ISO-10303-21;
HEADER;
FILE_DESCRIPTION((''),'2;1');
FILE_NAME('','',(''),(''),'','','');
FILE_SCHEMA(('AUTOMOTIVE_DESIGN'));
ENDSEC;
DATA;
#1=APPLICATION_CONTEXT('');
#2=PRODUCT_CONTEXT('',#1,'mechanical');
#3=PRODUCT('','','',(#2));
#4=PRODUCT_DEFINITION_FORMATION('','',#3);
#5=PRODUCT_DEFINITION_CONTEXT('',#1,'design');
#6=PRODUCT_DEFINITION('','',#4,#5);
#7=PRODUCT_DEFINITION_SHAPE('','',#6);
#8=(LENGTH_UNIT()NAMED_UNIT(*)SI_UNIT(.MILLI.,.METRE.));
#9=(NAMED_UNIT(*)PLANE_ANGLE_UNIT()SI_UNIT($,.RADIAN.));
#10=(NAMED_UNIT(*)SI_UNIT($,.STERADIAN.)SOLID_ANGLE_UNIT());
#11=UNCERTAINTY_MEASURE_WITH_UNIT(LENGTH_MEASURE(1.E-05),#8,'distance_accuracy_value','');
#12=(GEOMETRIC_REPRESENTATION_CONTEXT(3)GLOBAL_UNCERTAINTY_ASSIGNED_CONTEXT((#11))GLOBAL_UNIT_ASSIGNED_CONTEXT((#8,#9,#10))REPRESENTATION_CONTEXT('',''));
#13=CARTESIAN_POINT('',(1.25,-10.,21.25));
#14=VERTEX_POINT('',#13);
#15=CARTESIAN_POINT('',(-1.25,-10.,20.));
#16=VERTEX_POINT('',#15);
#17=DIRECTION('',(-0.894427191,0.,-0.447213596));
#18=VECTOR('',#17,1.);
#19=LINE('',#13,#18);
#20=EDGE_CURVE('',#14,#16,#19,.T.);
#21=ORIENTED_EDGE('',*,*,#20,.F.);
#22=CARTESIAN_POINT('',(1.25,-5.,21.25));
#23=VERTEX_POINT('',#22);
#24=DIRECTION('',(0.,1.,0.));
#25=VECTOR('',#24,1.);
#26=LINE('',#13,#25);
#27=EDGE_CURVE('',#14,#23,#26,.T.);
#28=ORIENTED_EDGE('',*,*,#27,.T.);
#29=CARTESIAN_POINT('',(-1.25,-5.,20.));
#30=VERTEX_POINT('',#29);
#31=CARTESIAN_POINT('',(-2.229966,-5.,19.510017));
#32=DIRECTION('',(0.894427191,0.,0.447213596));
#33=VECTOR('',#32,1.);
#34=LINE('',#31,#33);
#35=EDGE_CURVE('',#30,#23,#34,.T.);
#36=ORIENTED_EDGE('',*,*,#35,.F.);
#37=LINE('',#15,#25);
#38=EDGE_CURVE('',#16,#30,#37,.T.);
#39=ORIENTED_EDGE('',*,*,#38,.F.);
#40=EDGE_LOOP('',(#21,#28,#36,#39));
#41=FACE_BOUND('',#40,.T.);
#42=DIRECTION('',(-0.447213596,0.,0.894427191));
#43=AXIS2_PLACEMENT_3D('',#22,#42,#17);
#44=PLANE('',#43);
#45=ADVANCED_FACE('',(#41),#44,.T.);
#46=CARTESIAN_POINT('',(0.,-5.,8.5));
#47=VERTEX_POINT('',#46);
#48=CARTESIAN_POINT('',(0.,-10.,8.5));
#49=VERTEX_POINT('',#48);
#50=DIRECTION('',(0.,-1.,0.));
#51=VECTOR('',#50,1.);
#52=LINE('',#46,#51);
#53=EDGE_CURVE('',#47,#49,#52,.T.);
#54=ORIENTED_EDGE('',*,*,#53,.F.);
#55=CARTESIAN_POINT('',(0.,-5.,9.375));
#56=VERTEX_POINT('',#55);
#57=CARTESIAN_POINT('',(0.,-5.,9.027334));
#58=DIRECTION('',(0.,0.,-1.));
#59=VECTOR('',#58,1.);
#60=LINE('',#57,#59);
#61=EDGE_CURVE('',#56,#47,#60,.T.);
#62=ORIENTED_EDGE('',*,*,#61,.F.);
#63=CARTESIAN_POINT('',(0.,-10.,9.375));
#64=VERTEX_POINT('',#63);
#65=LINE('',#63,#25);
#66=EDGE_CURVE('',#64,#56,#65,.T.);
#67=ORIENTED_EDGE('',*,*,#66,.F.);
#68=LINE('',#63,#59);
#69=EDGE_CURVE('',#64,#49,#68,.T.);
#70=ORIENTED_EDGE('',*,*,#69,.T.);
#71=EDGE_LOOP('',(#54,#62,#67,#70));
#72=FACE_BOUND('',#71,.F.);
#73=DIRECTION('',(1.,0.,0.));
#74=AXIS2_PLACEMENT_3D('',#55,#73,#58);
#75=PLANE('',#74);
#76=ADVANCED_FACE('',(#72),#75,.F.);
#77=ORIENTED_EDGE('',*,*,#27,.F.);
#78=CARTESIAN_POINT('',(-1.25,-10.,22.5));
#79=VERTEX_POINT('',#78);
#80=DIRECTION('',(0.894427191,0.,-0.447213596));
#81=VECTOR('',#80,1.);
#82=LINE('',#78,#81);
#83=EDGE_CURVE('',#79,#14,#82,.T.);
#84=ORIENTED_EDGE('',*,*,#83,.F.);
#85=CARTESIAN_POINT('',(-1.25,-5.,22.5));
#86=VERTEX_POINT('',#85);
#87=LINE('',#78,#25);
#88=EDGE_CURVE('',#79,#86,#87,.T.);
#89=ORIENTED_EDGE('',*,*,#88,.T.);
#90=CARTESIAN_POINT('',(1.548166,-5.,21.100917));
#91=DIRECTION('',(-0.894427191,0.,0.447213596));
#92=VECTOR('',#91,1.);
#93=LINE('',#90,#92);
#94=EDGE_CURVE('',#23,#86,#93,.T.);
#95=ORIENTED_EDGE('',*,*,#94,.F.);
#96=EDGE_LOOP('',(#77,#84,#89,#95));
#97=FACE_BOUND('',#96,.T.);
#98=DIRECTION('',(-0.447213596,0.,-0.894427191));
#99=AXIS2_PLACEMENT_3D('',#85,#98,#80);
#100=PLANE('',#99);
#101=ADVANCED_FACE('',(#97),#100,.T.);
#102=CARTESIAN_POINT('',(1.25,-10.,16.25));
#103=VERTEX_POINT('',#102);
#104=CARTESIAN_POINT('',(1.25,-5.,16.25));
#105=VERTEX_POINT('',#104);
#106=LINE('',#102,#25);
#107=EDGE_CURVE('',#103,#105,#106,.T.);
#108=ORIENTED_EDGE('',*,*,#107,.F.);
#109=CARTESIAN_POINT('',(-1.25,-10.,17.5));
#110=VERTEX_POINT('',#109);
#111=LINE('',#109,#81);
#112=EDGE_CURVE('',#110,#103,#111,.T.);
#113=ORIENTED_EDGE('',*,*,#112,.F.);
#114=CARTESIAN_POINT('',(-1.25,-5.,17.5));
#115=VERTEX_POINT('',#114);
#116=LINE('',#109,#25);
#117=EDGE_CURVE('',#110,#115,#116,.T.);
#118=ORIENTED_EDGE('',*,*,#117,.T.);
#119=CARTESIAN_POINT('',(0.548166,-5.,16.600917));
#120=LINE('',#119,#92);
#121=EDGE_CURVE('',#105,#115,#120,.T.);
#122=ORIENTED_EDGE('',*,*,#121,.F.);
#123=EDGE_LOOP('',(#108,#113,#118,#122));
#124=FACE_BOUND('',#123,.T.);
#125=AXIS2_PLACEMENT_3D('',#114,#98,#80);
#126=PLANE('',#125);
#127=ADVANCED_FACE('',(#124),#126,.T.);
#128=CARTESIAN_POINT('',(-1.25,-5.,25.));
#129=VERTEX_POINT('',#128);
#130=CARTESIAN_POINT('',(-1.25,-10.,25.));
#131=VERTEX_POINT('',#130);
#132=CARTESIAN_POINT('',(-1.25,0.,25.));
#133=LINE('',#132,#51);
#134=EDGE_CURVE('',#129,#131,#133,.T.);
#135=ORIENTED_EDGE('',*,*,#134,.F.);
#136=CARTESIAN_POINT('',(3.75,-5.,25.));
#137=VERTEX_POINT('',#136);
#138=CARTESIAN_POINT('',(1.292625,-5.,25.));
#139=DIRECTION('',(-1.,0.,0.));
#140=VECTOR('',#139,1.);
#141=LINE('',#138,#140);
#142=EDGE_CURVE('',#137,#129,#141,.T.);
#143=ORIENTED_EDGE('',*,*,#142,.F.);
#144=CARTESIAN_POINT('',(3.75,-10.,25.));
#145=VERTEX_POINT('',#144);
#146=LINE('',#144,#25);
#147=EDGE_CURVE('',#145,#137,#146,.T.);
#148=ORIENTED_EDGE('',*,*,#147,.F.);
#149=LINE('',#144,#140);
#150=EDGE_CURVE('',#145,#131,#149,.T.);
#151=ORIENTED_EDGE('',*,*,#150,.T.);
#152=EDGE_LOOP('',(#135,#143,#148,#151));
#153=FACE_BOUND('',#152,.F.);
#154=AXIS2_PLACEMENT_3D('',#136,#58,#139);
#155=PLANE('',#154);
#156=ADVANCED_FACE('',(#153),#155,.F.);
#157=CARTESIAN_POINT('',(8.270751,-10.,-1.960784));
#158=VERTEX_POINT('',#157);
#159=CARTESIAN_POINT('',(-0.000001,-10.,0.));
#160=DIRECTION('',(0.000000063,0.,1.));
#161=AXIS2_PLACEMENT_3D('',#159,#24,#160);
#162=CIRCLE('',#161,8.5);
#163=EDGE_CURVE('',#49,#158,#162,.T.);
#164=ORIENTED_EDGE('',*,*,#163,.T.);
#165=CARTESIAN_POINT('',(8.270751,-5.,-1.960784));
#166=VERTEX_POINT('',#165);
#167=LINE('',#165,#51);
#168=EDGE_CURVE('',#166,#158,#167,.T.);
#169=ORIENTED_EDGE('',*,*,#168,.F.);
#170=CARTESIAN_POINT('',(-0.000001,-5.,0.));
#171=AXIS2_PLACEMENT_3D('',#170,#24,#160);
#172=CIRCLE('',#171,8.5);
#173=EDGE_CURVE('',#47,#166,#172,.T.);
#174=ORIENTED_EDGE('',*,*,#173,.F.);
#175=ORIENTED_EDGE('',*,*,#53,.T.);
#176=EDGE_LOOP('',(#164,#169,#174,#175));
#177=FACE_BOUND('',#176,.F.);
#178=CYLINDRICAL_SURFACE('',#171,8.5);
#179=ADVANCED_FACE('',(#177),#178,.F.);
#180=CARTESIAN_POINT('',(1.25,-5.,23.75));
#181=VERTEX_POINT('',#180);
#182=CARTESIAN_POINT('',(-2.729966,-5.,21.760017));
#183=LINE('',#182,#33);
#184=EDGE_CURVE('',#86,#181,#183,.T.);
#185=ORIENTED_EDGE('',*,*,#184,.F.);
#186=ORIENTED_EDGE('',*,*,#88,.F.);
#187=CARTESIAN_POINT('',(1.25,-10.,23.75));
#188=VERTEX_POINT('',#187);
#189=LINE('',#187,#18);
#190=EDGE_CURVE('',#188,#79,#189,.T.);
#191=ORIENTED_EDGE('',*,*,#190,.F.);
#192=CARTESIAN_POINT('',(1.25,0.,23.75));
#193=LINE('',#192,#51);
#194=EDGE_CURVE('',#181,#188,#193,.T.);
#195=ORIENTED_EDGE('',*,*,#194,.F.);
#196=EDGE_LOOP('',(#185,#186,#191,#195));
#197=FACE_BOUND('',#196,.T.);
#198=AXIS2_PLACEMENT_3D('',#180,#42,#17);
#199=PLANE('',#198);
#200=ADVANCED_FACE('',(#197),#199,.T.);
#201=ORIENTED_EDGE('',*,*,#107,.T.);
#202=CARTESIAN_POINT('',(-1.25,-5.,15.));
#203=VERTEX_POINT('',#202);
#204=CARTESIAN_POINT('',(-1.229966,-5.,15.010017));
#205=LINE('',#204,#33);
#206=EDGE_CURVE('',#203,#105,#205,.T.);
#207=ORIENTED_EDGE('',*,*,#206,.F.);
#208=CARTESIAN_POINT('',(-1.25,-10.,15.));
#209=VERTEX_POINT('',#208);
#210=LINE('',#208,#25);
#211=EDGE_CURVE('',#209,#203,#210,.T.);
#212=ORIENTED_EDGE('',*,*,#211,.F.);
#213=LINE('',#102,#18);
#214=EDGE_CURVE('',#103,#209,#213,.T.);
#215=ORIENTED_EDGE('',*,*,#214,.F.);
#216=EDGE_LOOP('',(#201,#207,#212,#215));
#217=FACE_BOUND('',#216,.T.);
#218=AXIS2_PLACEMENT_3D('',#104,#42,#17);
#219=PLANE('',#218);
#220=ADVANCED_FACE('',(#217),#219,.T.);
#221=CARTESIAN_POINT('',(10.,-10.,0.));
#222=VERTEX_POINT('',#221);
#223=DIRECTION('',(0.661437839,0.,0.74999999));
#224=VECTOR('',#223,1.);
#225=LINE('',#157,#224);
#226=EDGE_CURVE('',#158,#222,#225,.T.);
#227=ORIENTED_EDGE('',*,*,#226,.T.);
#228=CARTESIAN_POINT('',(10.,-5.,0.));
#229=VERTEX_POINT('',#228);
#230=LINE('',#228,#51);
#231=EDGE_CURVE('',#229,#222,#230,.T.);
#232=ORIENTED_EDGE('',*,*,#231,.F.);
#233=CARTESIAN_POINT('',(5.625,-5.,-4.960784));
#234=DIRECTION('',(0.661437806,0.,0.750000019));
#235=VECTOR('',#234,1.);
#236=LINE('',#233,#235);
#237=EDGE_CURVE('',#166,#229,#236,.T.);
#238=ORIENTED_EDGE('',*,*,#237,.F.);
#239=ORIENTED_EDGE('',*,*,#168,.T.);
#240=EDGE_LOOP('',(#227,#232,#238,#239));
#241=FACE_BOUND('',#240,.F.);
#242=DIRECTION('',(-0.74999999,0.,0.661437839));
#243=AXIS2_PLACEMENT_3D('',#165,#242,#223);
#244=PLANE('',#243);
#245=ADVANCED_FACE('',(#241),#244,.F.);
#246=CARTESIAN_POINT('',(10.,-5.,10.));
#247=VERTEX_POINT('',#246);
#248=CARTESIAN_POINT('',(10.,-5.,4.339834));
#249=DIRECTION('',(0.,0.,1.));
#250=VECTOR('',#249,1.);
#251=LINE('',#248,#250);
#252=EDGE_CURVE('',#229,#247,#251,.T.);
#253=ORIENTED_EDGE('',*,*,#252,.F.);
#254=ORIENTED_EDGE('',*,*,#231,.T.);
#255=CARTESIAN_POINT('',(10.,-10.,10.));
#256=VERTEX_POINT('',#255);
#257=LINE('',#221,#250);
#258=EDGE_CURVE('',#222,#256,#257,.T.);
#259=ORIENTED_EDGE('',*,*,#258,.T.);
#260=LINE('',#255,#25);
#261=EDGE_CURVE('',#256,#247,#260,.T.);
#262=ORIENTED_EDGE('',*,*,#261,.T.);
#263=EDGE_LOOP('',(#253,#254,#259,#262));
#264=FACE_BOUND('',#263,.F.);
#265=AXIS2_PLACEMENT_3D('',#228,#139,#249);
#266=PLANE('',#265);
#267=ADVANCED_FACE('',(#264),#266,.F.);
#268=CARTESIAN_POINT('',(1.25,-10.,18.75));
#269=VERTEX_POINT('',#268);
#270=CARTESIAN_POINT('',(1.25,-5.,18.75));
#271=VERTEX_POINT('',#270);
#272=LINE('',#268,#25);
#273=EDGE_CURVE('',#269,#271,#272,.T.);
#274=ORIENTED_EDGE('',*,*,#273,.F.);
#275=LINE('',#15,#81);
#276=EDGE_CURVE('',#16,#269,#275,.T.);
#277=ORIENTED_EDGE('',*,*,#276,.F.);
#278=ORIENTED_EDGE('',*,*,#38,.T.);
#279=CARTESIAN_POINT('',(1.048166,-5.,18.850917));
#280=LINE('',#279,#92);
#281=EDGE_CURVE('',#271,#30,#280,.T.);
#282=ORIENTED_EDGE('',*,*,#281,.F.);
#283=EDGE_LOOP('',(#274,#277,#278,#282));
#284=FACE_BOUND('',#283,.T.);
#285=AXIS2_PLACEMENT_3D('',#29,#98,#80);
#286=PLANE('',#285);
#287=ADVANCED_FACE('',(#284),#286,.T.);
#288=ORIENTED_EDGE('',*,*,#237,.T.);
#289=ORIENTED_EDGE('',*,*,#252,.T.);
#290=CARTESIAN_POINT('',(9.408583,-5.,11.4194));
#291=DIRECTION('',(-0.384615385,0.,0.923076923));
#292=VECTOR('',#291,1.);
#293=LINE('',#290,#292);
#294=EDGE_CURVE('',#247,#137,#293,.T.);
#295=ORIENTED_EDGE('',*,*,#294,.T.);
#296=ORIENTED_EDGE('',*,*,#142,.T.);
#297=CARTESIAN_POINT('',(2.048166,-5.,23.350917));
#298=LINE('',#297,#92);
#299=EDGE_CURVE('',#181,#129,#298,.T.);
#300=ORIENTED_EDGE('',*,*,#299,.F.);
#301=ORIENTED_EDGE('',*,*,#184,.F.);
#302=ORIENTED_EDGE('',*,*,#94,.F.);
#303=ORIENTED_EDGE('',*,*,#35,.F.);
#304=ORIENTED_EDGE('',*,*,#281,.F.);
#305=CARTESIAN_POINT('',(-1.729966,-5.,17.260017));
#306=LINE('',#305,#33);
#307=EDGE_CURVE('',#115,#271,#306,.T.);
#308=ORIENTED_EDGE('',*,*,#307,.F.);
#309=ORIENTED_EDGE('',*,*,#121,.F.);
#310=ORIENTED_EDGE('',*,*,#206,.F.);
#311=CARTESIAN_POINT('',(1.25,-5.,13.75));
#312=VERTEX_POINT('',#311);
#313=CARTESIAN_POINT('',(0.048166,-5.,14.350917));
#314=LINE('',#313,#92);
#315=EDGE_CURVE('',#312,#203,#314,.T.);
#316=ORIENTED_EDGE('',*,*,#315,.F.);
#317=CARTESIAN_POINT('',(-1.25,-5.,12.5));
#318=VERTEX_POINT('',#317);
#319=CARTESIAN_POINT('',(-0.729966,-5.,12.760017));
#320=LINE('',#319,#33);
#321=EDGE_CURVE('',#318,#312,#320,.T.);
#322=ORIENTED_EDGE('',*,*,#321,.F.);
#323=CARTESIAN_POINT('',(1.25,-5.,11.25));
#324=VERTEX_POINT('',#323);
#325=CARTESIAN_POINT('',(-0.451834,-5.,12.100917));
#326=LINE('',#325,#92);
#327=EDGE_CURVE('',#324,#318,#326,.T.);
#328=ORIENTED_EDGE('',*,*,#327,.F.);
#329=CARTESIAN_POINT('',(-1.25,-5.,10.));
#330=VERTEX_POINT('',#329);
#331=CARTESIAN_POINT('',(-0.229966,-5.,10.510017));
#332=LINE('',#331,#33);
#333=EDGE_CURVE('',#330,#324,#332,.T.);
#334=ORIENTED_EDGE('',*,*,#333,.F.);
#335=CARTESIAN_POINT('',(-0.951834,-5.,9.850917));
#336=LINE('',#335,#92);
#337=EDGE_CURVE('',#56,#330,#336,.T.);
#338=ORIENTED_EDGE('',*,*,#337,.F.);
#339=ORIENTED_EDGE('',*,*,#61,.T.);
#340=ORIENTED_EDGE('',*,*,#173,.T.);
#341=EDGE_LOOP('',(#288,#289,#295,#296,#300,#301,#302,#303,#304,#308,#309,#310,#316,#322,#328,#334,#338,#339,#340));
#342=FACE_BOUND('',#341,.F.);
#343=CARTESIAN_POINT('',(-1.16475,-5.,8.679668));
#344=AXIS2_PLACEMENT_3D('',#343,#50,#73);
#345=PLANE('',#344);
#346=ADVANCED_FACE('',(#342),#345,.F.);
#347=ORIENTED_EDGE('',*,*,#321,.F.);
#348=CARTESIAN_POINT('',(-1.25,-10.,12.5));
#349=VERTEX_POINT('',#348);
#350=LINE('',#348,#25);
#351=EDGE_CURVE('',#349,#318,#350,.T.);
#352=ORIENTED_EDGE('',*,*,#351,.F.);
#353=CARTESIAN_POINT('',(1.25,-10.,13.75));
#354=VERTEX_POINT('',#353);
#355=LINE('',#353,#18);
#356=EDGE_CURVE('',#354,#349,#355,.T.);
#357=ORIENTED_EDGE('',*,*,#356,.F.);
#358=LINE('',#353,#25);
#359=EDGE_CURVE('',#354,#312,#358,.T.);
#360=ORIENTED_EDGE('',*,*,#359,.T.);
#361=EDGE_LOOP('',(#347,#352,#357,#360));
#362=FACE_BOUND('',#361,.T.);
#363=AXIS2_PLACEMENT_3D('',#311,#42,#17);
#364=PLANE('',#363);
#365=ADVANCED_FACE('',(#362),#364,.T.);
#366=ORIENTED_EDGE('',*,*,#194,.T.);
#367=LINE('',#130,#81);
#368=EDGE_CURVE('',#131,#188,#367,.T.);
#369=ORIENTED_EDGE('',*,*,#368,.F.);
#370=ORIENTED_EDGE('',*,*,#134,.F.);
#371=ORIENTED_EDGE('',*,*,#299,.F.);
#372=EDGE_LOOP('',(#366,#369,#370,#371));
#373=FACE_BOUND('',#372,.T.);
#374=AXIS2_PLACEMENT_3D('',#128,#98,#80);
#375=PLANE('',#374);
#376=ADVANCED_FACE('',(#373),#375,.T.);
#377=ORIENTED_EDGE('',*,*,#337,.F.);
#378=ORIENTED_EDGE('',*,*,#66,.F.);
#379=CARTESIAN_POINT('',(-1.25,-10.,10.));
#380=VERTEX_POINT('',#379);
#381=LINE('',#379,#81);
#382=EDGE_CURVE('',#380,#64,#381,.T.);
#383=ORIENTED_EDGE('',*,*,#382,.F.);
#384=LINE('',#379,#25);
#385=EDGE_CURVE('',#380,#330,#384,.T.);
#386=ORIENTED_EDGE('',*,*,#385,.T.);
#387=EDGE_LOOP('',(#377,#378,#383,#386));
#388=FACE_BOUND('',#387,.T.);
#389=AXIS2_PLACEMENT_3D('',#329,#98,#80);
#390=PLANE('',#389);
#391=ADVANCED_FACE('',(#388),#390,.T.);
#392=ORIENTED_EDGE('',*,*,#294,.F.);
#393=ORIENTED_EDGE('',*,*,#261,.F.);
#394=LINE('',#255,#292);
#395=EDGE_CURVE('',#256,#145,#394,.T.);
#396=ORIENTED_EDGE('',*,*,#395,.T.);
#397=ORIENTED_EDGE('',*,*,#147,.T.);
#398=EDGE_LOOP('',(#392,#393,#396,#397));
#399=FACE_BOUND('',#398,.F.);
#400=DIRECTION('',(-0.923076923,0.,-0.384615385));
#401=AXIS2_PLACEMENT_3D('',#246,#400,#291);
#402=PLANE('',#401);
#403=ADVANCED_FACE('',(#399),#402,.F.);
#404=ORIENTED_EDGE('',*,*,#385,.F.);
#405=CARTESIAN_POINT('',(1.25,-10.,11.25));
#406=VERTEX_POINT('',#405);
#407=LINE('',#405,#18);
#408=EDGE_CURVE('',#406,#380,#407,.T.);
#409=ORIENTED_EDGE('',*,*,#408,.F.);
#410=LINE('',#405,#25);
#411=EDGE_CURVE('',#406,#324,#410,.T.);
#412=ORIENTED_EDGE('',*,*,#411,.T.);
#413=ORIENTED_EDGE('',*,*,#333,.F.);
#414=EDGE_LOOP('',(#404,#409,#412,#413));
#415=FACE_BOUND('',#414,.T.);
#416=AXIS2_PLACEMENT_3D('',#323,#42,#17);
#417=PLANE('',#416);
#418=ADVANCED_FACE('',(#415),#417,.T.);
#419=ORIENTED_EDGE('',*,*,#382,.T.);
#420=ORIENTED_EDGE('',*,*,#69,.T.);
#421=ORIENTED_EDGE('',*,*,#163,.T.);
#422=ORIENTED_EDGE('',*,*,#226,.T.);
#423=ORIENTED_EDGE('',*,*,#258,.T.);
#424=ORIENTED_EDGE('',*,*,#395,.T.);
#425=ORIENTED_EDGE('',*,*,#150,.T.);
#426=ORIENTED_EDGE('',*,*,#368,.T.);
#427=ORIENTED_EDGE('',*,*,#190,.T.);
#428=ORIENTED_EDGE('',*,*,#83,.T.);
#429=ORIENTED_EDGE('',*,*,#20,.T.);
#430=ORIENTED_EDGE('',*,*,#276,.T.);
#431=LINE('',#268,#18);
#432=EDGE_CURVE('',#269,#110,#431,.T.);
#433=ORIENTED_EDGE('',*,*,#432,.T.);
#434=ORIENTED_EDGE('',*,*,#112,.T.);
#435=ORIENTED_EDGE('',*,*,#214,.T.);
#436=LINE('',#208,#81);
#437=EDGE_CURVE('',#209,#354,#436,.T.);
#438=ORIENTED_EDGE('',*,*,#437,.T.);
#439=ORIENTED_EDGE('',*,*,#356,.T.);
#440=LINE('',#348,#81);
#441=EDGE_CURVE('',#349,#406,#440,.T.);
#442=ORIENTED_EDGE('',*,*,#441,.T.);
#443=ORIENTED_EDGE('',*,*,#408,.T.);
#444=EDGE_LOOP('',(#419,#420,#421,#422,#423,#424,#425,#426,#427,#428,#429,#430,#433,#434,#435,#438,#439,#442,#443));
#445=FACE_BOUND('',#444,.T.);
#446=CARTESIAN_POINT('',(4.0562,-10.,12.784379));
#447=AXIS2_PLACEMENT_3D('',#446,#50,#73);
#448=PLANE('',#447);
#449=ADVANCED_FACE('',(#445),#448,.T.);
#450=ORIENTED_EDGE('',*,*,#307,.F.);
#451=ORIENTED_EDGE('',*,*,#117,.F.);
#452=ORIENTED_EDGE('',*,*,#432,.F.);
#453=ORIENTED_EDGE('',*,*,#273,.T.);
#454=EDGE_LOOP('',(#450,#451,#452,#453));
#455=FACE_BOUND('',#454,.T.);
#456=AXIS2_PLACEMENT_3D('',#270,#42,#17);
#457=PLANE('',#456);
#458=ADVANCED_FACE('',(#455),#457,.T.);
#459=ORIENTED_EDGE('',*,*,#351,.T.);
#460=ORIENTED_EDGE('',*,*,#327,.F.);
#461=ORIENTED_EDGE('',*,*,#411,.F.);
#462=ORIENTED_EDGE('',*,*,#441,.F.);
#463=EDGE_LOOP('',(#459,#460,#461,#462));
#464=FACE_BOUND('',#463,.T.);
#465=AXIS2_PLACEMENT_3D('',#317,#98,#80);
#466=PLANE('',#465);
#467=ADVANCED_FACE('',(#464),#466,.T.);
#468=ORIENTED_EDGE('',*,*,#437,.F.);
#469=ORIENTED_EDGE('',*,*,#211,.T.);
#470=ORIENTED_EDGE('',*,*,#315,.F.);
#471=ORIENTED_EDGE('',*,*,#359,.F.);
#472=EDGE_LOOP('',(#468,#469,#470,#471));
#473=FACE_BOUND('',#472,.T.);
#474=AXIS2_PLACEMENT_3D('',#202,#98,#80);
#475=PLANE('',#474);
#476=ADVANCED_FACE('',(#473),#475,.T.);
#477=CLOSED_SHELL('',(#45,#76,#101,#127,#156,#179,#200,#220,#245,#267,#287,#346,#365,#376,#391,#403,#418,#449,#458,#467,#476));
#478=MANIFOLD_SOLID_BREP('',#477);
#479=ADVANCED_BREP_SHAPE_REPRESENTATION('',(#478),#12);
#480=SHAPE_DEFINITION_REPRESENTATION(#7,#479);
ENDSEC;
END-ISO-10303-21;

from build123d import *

# Parameters (mm, degrees)
F1_DEPTH      = 5
F3_DEPTH      = 5
F3_DEPTH_BACK = 5
F4_R          = 2.5
F5_DEPTH      = 5.001
F12_W         = 57.105852
F12_H         = 43.326581
F13_DEPTH     = 5


with BuildPart() as f1:
    # F0 (on Front) → F1 (new body)
    with BuildSketch(Plane.XZ):
        with BuildLine():
            Line((0, 9.13175), (0, 7.5))
            ThreePointArc((0, 7.5), (-6.835784, -3.085784), (5.625, -4.960784))
            Line((5.625, -4.960784), (10, 0))
            Line((10, 0), (10, 10))
            Line((10, 10), (3.75, 25))
            Line((3.75, 25), (1.25, 25))
            Line((1.25, 25), (1.25, 10))
            Line((1.25, 10), (0, 9.13175))
        make_face()
    extrude(amount=F1_DEPTH)

    # F2 (on face) → F3 (join, two sides)
    with BuildSketch(Plane.XZ.offset(5)) as f3_sk:
        with BuildLine():
            Line((3.75, 25), (1.25, 25))
            Line((1.25, 25), (1.25, 23.75))
            Line((1.25, 23.75), (-1.25, 22.5))
            Line((-1.25, 22.5), (1.25, 21.25))
            Line((1.25, 21.25), (-1.25, 20))
            Line((-1.25, 20), (1.25, 18.75))
            Line((1.25, 18.75), (-1.25, 17.5))
            Line((-1.25, 17.5), (1.25, 16.25))
            Line((1.25, 16.25), (-1.25, 15))
            Line((-1.25, 15), (1.25, 13.75))
            Line((1.25, 13.75), (-1.25, 12.5))
            Line((-1.25, 12.5), (1.25, 11.25))
            Line((1.25, 11.25), (-1.25, 10))
            Line((-1.25, 10), (0, 9.375))
            Line((0, 9.375), (0, 9.13175))
            Line((0, 9.13175), (0, 8.5))
            ThreePointArc((0, 8.5), (6.667708, 5.27178), (8.270751, -1.960784))
            Line((8.270751, -1.960784), (10, 0))
            Line((10, 0), (10, 10))
            Line((10, 10), (3.75, 25))
        make_face()
        Polygon((1.25, 23.75), (1.25, 25), (-1.25, 25), align=None)
    extrude(amount=F3_DEPTH)
    extrude(f3_sk.sketch, amount=-F3_DEPTH_BACK)

    # F4 (on face) → F5 (cut, through all)
    with BuildSketch(Plane.XZ.offset(5)):
        Circle(F4_R)
    extrude(amount=-F5_DEPTH, mode=Mode.SUBTRACT)

    # F12 (on face) → F13 (cut)
    with BuildSketch(Plane.XZ):
        with Locations((-1.16475, 8.679668)):
            Rectangle(F12_W, F12_H)
    extrude(amount=F13_DEPTH, mode=Mode.SUBTRACT)


with BuildPart() as f6_1:
    # F6: copy of F1
    add(f1.part)


with BuildPart() as f8_1:
    # F8: copy of F1
    add(f1.part.moved(Location((20, 0, 0))))


with BuildPart() as f10_1:
    # F10: copy of F1
    add(f1.part)


solid = f1.part
